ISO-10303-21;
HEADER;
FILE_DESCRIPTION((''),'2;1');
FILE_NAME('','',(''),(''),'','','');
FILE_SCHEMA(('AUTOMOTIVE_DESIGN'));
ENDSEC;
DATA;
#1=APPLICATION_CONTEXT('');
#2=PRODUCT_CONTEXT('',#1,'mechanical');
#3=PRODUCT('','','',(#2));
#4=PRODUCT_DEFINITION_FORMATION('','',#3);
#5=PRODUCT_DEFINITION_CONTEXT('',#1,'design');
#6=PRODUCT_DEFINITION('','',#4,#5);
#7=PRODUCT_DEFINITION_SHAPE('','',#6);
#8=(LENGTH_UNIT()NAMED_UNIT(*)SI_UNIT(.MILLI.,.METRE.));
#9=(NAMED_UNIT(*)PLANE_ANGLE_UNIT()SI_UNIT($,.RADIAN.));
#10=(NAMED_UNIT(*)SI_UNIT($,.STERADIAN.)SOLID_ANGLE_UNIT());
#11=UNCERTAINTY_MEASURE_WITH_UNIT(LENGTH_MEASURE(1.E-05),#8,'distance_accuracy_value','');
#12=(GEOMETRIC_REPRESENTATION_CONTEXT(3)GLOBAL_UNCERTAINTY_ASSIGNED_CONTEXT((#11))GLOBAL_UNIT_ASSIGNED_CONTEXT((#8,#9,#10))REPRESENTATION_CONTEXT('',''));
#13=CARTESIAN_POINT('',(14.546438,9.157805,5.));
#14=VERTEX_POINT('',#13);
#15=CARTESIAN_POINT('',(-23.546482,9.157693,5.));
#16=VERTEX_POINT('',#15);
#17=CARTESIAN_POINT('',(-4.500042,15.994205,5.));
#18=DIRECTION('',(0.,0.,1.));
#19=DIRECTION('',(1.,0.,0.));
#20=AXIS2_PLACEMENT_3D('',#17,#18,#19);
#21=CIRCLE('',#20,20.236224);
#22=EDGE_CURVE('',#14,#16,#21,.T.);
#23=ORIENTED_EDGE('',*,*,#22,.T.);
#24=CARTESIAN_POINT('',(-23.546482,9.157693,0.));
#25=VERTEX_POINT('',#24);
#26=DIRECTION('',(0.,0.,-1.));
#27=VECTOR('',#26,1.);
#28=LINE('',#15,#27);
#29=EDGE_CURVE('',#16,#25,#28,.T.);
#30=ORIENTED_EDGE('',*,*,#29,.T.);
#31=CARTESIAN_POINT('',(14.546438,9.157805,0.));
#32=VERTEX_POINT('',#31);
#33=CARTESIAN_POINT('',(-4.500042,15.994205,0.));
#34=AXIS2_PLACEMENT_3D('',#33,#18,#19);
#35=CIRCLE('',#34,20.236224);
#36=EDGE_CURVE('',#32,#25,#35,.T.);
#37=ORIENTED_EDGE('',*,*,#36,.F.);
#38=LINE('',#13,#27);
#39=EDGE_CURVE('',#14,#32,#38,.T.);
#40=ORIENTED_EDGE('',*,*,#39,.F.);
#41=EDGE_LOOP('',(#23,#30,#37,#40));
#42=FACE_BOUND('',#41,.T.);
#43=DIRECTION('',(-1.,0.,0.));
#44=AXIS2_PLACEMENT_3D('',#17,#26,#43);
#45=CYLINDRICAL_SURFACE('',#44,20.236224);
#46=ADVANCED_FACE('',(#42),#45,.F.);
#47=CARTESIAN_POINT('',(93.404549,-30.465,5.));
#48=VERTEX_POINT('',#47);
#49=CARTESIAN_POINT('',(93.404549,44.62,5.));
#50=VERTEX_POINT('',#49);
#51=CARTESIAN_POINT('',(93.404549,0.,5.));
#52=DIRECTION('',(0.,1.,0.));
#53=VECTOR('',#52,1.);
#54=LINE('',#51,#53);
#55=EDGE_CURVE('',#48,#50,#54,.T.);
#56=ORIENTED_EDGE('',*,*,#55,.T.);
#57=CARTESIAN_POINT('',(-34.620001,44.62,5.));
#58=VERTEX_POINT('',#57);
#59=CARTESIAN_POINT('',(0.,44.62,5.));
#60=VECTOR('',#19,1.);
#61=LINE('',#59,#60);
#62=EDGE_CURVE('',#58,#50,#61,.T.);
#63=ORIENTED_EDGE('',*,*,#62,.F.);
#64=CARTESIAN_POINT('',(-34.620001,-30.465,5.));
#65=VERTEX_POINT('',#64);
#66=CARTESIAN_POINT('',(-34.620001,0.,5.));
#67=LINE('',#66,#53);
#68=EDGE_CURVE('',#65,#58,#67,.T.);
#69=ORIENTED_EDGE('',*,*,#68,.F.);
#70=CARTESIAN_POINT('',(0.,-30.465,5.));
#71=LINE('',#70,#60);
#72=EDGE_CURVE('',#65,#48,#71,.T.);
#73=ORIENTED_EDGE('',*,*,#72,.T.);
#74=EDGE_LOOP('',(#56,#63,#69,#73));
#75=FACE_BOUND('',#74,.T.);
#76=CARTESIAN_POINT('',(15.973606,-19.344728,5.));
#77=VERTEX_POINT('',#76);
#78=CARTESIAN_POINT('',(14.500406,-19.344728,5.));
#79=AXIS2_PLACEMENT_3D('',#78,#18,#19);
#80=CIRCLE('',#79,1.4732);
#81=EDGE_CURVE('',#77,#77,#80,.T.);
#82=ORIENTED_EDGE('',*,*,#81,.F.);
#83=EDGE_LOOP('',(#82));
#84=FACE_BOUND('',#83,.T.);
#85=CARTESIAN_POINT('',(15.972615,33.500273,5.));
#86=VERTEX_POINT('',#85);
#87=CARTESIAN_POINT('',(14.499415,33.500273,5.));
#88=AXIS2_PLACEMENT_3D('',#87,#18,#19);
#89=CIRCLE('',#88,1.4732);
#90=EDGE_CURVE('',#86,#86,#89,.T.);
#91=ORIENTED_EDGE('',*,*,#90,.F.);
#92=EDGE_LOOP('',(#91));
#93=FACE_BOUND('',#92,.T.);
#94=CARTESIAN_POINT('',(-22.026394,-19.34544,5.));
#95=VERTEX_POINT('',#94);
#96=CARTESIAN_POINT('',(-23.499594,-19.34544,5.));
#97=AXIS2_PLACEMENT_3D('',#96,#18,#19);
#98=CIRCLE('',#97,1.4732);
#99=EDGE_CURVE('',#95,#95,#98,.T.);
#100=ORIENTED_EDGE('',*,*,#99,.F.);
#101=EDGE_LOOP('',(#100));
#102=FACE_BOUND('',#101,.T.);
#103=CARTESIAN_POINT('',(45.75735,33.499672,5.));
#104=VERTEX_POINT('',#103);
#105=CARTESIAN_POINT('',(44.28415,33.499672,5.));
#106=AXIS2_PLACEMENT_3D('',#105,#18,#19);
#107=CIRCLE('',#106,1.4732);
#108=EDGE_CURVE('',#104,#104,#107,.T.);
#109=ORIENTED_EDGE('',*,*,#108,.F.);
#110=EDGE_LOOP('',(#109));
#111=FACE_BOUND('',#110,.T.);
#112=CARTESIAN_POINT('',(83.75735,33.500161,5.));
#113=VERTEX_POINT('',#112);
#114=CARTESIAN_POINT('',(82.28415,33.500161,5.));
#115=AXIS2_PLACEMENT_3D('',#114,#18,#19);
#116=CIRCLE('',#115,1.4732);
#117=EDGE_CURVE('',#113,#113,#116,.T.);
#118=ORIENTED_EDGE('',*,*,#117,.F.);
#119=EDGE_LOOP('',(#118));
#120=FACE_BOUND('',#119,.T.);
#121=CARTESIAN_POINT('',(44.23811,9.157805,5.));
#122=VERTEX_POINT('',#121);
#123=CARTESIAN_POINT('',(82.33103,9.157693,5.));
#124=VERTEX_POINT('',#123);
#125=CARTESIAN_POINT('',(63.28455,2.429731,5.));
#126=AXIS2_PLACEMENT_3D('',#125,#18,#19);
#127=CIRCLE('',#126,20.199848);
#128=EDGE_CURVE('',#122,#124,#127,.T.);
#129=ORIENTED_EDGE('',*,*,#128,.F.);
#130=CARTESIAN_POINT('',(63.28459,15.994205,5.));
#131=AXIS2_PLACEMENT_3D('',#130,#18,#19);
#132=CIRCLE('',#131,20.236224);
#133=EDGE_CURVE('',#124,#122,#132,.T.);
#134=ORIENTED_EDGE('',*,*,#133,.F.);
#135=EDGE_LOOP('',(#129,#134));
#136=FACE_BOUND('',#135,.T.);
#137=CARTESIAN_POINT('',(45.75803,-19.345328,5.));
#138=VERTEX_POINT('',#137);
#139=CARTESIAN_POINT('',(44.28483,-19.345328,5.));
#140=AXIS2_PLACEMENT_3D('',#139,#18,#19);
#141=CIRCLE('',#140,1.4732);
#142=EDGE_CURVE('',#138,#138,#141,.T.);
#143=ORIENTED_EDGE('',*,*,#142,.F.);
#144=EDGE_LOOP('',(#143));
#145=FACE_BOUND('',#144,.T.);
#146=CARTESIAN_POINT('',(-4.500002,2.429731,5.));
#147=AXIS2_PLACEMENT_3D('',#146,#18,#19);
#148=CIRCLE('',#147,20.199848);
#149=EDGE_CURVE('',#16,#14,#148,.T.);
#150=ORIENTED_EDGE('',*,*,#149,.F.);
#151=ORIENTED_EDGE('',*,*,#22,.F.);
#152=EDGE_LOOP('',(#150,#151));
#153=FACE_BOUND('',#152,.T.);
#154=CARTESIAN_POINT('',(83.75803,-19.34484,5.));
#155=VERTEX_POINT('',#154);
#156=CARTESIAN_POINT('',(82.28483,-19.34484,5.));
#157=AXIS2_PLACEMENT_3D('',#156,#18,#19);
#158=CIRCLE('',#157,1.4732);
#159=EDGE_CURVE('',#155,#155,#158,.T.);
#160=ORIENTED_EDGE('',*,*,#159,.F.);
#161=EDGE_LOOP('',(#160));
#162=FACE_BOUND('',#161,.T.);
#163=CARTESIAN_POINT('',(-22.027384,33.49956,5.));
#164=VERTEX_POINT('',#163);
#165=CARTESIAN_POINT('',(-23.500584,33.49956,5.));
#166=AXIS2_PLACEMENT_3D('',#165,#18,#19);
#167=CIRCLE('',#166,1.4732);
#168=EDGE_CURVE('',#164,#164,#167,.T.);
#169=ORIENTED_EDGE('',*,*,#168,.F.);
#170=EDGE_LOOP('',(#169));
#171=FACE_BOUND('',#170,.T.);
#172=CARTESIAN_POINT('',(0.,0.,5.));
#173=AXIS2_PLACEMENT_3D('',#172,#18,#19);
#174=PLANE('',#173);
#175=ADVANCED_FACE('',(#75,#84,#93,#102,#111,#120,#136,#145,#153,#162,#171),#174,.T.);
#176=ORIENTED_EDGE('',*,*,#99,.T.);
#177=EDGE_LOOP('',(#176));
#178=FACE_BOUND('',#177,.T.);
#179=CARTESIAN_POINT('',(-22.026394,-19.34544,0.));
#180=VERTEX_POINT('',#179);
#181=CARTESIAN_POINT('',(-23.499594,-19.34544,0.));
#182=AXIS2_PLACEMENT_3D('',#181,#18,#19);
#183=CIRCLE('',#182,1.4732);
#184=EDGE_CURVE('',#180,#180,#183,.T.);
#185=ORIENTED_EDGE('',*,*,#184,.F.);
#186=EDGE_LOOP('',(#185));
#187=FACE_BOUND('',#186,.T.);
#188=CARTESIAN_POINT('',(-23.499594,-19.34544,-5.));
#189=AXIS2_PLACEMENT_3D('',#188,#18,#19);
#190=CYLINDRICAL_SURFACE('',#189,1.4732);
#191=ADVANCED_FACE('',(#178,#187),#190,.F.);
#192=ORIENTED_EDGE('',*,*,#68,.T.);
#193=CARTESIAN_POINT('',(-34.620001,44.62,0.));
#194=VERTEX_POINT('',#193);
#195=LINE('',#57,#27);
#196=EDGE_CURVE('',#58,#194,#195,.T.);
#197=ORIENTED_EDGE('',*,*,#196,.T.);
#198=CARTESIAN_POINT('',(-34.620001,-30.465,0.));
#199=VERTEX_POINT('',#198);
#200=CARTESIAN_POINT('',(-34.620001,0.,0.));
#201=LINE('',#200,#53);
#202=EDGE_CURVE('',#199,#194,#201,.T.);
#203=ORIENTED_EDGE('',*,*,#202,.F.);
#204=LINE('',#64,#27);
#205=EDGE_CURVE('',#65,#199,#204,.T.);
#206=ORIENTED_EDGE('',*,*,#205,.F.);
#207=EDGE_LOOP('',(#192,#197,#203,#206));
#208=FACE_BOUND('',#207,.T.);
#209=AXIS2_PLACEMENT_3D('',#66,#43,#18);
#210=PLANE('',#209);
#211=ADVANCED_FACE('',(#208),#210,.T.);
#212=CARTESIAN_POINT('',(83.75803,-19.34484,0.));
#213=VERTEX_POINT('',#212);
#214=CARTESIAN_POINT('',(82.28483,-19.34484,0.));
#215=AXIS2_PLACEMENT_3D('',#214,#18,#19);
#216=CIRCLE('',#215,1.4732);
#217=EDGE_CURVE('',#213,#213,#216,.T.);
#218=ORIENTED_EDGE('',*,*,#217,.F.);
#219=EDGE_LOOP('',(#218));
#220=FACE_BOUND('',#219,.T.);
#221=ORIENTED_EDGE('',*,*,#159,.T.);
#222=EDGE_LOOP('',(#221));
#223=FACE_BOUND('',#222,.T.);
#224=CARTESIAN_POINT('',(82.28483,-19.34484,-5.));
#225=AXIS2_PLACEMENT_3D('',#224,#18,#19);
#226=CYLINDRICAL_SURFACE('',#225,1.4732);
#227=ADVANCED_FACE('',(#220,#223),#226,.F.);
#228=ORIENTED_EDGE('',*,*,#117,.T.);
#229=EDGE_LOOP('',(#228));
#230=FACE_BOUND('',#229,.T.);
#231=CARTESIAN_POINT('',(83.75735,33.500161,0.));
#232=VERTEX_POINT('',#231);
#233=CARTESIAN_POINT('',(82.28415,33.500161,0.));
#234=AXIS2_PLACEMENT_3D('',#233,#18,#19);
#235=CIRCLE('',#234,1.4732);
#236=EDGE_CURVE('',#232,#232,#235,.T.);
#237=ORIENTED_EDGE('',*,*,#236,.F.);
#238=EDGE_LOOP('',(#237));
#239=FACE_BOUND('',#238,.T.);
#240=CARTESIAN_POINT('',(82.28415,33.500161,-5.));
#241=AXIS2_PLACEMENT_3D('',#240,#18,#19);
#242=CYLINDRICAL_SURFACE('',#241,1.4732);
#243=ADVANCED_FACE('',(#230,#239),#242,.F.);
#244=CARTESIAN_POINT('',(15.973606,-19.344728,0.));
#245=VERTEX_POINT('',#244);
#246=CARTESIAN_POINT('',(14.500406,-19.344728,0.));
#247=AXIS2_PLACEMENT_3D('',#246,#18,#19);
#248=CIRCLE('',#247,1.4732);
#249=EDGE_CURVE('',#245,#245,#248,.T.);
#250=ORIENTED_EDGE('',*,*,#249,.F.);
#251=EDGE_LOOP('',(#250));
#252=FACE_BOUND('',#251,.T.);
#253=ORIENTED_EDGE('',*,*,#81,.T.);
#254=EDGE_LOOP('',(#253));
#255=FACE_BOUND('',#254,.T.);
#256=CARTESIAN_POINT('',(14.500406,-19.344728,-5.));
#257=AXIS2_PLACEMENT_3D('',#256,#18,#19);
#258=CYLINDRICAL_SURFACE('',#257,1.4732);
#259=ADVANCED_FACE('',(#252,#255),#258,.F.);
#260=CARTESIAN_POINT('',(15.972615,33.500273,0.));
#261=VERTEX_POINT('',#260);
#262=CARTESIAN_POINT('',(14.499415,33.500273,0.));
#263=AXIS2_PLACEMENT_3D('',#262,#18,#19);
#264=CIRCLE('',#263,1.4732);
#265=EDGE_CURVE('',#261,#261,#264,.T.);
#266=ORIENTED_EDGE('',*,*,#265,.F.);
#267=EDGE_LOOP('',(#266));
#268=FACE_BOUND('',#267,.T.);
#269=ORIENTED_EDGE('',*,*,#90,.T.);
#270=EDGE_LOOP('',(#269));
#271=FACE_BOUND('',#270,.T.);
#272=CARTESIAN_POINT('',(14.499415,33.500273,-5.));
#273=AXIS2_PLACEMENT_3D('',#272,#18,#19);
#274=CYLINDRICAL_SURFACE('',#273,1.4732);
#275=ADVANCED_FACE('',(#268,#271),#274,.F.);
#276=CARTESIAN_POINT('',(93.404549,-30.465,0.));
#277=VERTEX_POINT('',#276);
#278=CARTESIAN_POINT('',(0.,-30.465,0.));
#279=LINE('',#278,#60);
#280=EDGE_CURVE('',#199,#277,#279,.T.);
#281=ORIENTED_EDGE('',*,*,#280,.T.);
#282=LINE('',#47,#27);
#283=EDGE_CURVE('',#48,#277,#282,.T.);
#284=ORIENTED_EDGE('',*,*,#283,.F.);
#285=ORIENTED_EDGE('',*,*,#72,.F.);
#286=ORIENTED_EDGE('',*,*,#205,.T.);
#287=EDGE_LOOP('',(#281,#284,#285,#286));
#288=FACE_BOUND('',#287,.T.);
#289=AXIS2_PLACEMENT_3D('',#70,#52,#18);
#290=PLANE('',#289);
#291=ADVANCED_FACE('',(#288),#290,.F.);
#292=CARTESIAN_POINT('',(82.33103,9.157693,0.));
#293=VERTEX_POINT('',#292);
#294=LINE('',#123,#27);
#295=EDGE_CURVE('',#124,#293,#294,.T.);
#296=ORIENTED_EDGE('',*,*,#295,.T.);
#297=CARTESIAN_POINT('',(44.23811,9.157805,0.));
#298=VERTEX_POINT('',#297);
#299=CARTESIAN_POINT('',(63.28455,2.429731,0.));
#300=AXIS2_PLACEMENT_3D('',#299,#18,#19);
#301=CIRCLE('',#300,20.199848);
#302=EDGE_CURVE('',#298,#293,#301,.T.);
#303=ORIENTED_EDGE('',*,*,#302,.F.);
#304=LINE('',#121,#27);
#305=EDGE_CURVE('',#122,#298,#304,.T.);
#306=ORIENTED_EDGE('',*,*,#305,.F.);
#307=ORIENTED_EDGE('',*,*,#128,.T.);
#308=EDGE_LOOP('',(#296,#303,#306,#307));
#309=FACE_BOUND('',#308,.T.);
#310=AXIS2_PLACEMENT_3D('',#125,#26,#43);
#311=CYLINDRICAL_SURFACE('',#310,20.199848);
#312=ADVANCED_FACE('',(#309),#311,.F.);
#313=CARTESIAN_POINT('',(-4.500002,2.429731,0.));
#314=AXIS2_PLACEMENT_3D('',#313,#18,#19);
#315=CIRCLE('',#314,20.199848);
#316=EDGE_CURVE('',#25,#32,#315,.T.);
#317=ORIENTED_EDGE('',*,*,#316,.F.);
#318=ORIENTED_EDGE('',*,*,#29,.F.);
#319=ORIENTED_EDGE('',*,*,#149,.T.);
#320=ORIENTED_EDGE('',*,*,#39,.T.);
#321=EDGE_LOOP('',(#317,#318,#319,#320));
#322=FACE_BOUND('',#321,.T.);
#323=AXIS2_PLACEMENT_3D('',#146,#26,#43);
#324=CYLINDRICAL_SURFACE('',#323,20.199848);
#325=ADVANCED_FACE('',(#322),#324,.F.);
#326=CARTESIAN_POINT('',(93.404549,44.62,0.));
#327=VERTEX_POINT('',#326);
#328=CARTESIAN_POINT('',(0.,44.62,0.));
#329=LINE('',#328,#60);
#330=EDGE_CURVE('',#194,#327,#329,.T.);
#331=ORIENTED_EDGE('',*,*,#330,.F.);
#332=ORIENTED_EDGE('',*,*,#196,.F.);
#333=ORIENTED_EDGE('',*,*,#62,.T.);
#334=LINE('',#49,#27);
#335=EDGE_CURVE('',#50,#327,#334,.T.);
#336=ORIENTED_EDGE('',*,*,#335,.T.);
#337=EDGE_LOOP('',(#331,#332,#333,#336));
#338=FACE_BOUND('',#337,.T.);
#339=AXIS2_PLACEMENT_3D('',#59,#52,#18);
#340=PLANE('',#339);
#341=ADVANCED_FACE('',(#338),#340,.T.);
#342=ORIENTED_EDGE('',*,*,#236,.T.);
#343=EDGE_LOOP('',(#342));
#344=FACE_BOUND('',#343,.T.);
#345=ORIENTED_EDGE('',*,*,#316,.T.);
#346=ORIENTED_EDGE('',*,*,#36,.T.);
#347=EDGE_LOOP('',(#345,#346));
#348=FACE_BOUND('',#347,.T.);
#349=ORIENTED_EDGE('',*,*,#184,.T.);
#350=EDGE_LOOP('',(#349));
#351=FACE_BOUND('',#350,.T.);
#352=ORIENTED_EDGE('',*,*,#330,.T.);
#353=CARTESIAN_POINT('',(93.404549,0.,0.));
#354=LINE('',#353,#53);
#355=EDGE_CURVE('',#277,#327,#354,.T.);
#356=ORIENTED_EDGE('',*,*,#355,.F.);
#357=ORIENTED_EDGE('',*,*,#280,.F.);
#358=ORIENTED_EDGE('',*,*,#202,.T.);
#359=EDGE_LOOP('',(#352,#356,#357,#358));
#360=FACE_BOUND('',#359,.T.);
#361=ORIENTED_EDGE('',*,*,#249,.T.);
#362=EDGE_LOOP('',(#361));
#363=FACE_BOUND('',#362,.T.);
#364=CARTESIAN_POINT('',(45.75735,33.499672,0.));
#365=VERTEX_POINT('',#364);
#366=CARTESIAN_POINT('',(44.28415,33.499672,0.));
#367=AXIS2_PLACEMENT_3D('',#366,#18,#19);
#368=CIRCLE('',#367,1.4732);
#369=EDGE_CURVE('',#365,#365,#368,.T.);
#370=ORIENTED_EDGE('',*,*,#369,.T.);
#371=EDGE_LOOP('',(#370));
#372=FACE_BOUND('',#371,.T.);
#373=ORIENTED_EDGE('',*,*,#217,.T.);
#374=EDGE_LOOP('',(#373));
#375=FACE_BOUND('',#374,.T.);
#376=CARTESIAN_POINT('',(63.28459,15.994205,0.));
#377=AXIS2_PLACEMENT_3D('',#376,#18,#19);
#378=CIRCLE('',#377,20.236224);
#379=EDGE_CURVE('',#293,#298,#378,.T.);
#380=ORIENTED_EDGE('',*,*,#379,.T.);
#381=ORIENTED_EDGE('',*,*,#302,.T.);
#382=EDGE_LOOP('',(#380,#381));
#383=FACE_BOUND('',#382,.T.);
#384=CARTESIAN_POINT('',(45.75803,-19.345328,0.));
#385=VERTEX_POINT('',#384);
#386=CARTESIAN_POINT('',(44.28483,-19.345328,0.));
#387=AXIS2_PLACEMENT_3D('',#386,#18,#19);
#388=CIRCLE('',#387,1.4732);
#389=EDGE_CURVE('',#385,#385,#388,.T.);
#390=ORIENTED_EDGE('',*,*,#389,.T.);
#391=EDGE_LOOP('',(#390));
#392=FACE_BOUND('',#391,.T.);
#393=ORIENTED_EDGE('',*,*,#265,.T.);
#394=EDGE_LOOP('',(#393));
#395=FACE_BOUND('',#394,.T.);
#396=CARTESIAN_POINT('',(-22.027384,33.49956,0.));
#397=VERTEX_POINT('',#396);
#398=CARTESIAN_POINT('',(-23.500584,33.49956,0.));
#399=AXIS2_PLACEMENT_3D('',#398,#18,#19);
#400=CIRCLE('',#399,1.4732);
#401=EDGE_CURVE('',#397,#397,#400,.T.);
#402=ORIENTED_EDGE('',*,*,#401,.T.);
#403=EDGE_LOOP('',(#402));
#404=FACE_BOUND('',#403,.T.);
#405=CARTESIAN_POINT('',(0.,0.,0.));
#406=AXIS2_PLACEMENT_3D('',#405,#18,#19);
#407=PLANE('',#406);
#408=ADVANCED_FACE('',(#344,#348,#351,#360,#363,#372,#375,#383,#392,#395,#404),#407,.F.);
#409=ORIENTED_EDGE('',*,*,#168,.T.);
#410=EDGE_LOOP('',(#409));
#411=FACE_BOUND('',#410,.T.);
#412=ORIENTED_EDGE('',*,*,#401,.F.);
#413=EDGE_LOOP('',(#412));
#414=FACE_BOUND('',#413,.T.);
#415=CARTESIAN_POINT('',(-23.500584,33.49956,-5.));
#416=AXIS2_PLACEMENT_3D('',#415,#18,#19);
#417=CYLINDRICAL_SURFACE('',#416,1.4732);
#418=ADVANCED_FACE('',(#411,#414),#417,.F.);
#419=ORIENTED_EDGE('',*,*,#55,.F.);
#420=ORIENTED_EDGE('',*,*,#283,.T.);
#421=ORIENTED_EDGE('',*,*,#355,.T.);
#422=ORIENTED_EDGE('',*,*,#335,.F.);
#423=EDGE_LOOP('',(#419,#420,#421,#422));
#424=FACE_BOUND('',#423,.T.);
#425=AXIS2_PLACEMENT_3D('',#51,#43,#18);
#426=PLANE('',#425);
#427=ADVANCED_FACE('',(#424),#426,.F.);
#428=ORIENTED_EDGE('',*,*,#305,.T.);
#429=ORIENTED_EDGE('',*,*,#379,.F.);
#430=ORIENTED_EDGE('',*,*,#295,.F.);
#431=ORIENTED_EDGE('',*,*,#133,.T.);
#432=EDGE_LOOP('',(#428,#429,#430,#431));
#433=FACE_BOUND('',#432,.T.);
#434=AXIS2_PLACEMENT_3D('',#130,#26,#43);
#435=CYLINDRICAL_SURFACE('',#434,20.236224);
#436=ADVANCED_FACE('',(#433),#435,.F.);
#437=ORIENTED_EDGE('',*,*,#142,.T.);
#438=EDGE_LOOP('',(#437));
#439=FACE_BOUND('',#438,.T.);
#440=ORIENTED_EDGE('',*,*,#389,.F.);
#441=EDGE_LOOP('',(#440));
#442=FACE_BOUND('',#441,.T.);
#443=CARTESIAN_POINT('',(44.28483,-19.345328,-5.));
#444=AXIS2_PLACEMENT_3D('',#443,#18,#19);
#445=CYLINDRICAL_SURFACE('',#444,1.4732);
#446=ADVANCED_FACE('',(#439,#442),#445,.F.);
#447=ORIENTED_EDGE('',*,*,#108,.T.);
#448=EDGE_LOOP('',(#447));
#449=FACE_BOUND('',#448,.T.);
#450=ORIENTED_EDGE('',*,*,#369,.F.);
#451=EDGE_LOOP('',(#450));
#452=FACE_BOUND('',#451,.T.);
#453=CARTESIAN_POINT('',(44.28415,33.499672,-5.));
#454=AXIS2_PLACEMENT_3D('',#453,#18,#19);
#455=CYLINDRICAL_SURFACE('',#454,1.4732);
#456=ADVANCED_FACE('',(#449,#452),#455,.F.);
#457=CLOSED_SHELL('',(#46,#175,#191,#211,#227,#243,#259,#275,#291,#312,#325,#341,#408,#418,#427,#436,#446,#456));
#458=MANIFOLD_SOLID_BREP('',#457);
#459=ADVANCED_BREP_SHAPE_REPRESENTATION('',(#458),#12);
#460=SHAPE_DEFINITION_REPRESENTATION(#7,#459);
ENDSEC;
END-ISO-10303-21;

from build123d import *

# Parameters (mm, degrees)
SKETCH1_W           = 64.012274628
SKETCH1_H           = 75.085000506
BOSS_EXTRUDE1_DEPTH = 5
SKETCH7_R           = 1.4732
CUT_EXTRUDE1_DEPTH  = 10


with BuildPart() as part:
    # Sketch1 → Boss-Extrude1 (new body)
    # profile 1 of 2: a face of its own
    with BuildSketch(Plane.XY):
        with Locations((61.398411242, 7.077500224)):
            Rectangle(SKETCH1_W, SKETCH1_H)
        with BuildLine():
            ThreePointArc((83.484398078, 2.429730903), (59.871437613, -17.479677368), (44.238109553, 9.157805497))
            ThreePointArc((44.238109553, 9.157805497), (59.81501285, 35.930775127), (83.520814038, 15.994205484))
            ThreePointArc((83.520814038, 15.994205484), (83.22114917, 12.52456978), (82.331029644, 9.157693158))
            ThreePointArc((82.331029644, 9.157693158), (83.193968093, 5.842784333), (83.484398078, 2.429730903))
        make_face(mode=Mode.SUBTRACT)
    # profile 2 of 2: a face of its own
    with BuildSketch(Plane.XY):
        with Locations((-2.613863386, 7.077500224)):
            Rectangle(SKETCH1_W, SKETCH1_H)
        with BuildLine():
            ThreePointArc((15.69984642, 2.429730903), (-7.913055331, -17.479687433), (-23.546481788, 9.157693158))
            ThreePointArc((-23.546481788, 9.157693158), (-7.969677608, 35.930764895), (15.736182375, 15.994205484))
            ThreePointArc((15.736182375, 15.994205484), (15.436527739, 12.524628574), (14.546438303, 9.157805497))
            ThreePointArc((14.546438303, 9.157805497), (15.409406369, 5.842843047), (15.69984642, 2.429730903))
        make_face(mode=Mode.SUBTRACT)
    extrude(amount=BOSS_EXTRUDE1_DEPTH)

    # Sketch7 → Cut-Extrude1 (cut)
    with BuildSketch(Plane.XY.offset(5)):
        with Locations((-23.500584488, 33.499560055)):
            Circle(SKETCH7_R)
        with Locations((14.49941543, 33.50027263)):
            Circle(SKETCH7_R)
        with Locations((-23.49959354, -19.345440441)):
            Circle(SKETCH7_R)
        with Locations((14.500406379, -19.344727866)):
            Circle(SKETCH7_R)
        with Locations((44.284829686, -19.345328379)):
            Circle(SKETCH7_R)
        with Locations((44.284150424, 33.499672122)):
            Circle(SKETCH7_R)
        with Locations((82.284150347, 33.500160568)):
            Circle(SKETCH7_R)
        with Locations((82.284829608, -19.344839933)):
            Circle(SKETCH7_R)
    extrude(amount=-CUT_EXTRUDE1_DEPTH, mode=Mode.SUBTRACT)


solid = part.part
